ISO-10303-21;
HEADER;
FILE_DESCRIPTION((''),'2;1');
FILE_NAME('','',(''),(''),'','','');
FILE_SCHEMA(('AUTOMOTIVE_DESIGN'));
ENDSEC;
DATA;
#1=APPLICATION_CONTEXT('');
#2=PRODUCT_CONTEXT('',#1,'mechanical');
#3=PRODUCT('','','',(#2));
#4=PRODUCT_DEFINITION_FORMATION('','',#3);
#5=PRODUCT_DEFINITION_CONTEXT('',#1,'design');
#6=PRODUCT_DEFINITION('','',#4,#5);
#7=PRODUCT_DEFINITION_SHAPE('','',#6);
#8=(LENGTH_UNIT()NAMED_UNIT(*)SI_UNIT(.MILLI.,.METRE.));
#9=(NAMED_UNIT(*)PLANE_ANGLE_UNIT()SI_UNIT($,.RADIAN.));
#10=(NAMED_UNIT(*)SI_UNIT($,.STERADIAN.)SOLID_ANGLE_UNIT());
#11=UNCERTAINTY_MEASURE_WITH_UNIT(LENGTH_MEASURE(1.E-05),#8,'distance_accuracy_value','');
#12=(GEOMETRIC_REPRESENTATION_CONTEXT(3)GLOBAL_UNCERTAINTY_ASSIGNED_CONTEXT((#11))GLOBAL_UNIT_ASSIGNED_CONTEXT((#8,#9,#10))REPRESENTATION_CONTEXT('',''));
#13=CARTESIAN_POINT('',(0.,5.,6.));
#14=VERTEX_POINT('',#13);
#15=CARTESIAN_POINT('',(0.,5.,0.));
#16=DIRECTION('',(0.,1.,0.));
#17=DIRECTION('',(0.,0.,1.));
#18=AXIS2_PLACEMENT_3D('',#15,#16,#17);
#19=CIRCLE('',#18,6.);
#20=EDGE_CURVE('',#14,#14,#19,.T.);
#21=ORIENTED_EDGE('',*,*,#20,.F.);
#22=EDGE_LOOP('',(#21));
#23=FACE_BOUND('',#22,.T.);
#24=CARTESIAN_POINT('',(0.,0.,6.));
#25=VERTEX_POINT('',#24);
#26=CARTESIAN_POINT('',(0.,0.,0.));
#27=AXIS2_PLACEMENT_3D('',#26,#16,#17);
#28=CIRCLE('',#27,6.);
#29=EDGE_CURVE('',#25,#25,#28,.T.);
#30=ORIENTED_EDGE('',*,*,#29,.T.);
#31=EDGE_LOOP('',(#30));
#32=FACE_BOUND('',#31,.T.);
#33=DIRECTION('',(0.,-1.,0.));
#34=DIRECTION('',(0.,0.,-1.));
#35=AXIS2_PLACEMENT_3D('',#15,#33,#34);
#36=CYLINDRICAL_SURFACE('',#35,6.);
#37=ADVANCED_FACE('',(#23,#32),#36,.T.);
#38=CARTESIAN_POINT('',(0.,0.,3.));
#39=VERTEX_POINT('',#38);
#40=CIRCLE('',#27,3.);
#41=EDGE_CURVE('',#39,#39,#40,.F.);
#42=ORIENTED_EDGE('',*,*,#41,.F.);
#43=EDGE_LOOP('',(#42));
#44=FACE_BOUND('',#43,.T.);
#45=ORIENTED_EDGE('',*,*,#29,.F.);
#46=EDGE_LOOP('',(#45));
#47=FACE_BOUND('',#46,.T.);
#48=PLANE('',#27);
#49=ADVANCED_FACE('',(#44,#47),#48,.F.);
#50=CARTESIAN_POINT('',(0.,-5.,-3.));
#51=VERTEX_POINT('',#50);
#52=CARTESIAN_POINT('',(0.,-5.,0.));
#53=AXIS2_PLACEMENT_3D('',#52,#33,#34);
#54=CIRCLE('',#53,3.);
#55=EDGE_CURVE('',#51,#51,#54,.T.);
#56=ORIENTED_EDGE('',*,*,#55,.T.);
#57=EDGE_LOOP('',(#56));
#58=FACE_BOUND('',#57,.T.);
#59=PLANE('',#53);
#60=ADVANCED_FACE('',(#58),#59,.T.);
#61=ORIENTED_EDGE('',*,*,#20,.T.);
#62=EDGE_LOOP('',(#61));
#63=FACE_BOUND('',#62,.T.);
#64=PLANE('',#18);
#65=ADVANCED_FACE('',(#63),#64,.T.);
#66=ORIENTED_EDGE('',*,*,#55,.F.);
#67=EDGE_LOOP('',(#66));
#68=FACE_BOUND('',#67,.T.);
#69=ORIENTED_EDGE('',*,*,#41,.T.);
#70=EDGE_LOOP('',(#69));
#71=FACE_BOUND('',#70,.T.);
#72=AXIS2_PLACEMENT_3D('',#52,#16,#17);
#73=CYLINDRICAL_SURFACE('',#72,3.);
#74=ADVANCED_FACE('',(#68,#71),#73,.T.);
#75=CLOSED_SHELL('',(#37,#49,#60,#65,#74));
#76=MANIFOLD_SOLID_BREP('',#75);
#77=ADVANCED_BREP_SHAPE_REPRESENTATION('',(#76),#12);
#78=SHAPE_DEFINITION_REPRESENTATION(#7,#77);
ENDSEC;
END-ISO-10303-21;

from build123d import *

# Parameters (mm, degrees)
SKETCH_1_R      = 6
EXTRUDE_1_DEPTH = 5
SKETCH_2_R      = 3
EXTRUDE_2_DEPTH = 5


with BuildPart() as part:
    # Эскиз1 → Бобышка-Вытянуть1 (new body)
    with BuildSketch(Plane(origin=(0, 0, 0), x_dir=(1, 0, 0), z_dir=(0, 1, 0))):
        Circle(SKETCH_1_R)
    extrude(amount=EXTRUDE_1_DEPTH)

    # Эскиз2 → Бобышка-Вытянуть2 (add)
    with BuildSketch(Plane(origin=(0, 0, 0), x_dir=(-1, 0, 0), z_dir=(0, -1, 0))):
        Circle(SKETCH_2_R)
    extrude(amount=EXTRUDE_2_DEPTH)


solid = part.part
